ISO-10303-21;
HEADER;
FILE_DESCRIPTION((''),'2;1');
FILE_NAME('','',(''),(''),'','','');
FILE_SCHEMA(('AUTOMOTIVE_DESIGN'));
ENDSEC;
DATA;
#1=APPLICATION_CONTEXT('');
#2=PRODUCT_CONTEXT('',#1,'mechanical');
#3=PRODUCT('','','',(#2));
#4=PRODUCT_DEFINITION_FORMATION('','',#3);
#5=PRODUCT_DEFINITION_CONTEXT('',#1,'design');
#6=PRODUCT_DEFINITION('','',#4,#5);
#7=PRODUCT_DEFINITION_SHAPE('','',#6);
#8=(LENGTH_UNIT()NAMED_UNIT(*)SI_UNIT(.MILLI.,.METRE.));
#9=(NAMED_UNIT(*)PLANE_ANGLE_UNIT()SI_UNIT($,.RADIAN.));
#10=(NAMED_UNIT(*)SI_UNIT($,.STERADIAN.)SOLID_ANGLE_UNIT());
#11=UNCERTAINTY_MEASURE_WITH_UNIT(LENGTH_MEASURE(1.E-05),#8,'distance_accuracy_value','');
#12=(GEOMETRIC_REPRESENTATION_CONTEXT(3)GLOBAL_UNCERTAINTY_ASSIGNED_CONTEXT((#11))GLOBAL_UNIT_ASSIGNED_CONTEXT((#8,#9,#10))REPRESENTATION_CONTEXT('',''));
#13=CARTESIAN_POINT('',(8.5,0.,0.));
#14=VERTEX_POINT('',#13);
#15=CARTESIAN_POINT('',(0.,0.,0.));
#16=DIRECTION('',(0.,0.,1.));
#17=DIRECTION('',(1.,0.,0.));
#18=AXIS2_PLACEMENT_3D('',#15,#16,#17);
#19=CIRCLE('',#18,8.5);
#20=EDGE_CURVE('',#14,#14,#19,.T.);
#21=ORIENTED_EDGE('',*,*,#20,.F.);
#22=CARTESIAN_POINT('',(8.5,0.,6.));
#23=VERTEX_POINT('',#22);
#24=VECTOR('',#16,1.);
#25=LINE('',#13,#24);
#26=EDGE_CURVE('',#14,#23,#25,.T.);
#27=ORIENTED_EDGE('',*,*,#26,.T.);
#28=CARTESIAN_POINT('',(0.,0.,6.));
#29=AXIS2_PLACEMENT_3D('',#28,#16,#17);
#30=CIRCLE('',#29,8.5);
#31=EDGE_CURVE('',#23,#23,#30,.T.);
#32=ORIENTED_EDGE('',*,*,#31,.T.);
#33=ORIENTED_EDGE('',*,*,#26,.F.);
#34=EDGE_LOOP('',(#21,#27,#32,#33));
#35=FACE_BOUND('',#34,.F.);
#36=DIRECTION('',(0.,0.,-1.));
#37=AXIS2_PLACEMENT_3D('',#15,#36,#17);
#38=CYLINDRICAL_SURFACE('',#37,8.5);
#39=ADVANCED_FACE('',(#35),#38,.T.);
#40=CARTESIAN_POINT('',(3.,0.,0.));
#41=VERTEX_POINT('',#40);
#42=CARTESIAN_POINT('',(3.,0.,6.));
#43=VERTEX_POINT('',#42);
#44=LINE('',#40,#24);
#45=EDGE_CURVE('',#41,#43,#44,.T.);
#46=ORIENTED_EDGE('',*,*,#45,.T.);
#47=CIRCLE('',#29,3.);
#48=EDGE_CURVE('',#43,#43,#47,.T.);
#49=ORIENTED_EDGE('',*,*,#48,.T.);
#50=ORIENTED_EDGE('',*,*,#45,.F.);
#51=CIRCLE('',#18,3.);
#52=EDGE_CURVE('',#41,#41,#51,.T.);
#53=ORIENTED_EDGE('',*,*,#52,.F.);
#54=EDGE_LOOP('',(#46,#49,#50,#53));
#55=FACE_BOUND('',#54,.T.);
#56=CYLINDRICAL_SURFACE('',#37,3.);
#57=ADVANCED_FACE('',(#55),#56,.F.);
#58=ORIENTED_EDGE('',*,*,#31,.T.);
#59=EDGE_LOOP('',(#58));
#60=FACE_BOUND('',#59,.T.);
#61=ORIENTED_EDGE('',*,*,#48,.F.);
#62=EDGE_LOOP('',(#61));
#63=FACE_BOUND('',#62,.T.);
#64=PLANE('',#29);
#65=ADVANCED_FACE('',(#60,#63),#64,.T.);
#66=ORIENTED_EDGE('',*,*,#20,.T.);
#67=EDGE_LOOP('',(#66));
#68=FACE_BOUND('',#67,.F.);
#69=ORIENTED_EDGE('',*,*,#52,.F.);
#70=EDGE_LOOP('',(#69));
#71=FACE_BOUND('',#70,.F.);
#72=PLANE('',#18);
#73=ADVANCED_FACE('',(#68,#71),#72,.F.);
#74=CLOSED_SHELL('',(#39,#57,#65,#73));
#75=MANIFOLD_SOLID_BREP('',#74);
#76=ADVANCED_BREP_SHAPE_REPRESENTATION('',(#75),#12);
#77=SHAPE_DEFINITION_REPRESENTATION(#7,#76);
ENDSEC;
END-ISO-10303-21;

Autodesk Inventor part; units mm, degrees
ref_plane "YZ Plane" through (0, 0, 0) normal (1, 0, 0) x (0, 1, 0)
ref_plane "XZ Plane" through (0, 0, 0) normal (0, 1, 0) x (-1, 0, 0)
ref_plane "XY Plane" through (0, 0, 0) normal (0, 0, 1) x (1, 0, 0)
sketch "Эскиз1" plane through (0, 0, 0) normal (0, 0, 1) x (1, 0, 0)
  circle A0 centre (0, 0) radius 3
  circle A1 centre (0, 0) radius 8.5
  dimension "d0" = 6
  dimension "d1" = 17
extrude "Выдавливание1" add sketch "Эскиз1" along normal blind 6
properties part number "Подшипник 6 17 6"
